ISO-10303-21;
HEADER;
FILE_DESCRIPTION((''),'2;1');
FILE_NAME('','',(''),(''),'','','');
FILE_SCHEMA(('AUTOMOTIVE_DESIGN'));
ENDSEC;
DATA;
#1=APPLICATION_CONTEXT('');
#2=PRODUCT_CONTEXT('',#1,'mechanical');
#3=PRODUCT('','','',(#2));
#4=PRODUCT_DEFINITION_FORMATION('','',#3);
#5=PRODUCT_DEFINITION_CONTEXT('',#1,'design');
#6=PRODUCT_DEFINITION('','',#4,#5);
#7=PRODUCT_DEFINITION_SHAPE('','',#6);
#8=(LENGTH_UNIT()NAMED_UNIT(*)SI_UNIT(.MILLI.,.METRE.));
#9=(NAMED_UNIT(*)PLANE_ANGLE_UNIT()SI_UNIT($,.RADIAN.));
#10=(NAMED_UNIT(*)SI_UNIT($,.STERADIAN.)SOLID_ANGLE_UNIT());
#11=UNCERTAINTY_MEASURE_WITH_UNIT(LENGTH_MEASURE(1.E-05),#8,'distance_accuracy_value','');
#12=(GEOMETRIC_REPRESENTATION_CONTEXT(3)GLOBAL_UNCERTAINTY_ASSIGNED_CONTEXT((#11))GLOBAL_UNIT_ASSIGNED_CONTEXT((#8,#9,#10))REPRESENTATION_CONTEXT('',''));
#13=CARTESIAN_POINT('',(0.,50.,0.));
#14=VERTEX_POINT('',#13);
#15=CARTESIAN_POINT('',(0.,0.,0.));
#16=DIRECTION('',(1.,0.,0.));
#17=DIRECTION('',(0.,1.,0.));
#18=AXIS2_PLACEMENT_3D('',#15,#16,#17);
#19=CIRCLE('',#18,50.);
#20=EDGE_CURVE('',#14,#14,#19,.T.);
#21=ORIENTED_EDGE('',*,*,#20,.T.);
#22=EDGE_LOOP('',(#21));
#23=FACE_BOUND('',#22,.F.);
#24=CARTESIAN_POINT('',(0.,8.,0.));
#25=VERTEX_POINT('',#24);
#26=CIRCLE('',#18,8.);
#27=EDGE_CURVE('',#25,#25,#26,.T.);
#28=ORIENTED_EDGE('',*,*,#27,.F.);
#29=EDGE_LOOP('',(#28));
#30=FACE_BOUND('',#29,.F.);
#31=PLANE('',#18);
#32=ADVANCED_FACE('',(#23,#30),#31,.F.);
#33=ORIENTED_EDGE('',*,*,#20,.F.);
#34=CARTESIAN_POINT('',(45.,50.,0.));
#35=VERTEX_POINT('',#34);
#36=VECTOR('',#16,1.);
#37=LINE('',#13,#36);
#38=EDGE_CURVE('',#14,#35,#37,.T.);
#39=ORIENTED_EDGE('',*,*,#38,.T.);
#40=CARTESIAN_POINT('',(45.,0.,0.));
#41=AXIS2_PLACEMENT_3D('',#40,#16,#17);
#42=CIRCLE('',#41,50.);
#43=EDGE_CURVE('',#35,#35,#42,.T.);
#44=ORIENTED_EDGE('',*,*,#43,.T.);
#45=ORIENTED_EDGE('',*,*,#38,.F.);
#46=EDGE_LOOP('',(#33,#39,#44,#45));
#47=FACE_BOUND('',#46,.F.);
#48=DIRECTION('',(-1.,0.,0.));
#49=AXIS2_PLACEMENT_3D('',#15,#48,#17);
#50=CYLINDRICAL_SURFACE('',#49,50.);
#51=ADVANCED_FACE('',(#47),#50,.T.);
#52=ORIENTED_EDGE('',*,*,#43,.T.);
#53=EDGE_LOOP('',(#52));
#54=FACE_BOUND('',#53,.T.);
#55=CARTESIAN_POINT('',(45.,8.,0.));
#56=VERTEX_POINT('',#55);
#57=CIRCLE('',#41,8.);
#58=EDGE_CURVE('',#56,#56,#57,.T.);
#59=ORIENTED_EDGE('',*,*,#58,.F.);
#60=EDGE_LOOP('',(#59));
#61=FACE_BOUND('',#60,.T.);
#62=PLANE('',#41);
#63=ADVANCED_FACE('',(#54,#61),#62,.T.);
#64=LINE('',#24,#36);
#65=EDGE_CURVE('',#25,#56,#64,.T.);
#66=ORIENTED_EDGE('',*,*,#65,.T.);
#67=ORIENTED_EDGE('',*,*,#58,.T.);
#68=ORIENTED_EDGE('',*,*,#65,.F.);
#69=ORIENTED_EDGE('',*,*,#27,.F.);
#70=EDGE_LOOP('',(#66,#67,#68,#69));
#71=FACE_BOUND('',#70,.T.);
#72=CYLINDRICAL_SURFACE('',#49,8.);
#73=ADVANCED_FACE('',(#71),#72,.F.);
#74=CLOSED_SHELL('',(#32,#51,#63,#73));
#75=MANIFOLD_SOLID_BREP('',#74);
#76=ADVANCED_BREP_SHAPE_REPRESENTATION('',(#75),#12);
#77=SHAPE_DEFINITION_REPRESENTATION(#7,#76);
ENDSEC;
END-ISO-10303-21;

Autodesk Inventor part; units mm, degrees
ref_plane "YZ Plane" through (0, 0, 0) normal (1, 0, 0) x (0, 1, 0)
ref_plane "XZ Plane" through (0, 0, 0) normal (0, 1, 0) x (-1, 0, 0)
ref_plane "XY Plane" through (0, 0, 0) normal (0, 0, 1) x (1, 0, 0)
sketch "Sketch1" plane through (0, 0, 0) normal (1, 0, 0) x (0, 1, 0)
  circle A0 centre (0, 0) radius 50
  circle A1 centre (0, 0) radius 8
  dimension "d0" = 100
  dimension "d1" = 16
extrude "Extrusion1" add sketch "Sketch1" along normal blind 45
properties part number "Wheel" material "Rubber"
